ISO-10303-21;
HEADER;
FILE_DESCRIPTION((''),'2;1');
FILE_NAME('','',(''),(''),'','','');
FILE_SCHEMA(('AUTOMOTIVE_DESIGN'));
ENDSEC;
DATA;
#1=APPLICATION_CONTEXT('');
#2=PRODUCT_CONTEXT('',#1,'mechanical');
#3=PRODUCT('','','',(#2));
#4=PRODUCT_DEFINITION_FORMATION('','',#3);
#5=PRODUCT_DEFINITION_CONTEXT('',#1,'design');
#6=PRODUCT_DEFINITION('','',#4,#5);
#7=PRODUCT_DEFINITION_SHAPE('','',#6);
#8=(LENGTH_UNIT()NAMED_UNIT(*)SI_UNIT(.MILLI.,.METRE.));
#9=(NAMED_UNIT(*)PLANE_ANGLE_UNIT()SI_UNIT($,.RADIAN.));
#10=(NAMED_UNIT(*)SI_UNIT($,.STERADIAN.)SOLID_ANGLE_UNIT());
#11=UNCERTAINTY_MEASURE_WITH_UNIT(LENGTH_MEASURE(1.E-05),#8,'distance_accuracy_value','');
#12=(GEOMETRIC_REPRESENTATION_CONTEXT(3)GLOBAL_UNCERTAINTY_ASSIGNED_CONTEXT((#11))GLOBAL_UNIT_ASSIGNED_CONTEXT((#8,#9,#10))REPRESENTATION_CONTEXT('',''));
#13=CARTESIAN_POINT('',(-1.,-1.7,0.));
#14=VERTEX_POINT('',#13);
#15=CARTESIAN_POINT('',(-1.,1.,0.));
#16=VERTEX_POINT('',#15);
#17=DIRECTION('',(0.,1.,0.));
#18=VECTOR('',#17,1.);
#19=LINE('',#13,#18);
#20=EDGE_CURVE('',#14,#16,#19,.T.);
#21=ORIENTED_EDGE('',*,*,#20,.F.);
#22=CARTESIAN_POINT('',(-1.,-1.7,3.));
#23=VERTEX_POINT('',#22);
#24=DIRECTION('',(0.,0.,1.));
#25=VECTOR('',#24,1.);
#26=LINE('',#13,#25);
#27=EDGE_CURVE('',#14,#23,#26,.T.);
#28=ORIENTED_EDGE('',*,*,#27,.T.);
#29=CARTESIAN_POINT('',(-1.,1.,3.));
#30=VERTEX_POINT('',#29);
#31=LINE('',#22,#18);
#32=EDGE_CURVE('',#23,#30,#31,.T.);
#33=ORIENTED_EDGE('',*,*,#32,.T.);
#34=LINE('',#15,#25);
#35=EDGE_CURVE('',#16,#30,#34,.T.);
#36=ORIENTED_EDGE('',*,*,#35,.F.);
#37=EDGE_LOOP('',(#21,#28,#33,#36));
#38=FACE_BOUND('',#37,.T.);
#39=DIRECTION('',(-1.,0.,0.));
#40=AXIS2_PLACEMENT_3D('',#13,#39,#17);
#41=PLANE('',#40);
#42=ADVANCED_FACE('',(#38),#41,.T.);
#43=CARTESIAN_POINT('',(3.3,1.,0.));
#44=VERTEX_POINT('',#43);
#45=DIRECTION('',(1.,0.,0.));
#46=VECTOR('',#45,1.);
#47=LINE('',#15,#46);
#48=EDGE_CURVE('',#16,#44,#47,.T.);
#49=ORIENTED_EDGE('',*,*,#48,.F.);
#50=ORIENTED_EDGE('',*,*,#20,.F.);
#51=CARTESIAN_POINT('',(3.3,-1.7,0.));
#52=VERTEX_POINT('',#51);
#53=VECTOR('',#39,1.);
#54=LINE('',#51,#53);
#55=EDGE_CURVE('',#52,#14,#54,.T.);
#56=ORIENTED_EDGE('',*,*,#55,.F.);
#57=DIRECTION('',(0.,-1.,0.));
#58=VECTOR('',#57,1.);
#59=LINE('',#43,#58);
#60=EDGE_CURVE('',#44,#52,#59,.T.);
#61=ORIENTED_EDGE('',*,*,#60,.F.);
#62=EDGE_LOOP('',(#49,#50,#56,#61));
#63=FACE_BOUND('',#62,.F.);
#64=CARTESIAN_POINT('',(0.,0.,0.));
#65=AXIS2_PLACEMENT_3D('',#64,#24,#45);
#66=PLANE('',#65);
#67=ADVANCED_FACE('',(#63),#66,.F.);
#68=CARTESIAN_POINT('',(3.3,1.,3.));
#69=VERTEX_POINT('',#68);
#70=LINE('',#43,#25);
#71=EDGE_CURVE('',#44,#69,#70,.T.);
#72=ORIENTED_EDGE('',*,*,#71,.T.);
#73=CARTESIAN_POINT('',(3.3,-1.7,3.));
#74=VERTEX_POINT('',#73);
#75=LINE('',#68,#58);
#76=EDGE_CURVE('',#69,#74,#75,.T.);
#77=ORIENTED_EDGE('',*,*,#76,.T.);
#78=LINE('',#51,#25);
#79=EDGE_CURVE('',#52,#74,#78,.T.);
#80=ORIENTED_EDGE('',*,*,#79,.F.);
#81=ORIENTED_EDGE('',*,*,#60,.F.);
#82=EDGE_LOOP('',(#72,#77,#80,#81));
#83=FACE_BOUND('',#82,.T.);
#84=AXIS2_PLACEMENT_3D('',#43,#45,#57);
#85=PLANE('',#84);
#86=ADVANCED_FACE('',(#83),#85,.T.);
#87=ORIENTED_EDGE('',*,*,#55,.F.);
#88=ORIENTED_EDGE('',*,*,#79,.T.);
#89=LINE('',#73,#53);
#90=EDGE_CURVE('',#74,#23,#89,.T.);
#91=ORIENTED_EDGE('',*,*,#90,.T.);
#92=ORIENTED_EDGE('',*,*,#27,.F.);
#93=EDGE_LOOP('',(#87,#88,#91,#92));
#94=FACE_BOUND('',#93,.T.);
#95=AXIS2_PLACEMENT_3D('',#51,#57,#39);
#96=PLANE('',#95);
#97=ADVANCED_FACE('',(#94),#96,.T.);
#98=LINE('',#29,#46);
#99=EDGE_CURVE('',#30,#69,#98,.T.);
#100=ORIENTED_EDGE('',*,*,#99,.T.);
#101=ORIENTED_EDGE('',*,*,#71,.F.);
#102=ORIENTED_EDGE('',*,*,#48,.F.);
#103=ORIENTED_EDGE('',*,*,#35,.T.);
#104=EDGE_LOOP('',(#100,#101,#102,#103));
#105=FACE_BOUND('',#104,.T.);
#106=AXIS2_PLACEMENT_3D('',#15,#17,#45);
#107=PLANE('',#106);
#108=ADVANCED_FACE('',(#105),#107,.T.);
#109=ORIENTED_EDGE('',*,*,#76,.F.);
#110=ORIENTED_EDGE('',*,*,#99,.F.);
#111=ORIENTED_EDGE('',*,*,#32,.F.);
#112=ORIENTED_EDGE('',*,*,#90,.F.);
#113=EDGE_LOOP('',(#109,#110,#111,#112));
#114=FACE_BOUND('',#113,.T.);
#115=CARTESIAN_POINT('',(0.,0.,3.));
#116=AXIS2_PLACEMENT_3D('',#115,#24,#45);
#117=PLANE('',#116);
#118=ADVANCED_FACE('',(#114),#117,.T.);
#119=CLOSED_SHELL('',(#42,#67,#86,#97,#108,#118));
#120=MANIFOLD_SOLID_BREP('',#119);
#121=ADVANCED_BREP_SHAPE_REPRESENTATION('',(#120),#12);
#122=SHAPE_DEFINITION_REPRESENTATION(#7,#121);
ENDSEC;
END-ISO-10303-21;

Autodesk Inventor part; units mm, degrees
ref_plane "YZ Plane" through (0, 0, 0) normal (1, 0, 0) x (0, 1, 0)
ref_plane "XZ Plane" through (0, 0, 0) normal (0, 1, 0) x (-1, 0, 0)
ref_plane "XY Plane" through (0, 0, 0) normal (0, 0, 1) x (1, 0, 0)
sketch "CX2156NL, CX2156NL_5" plane through (0, 0, 0) normal (0, 0, 1) x (1, 0, 0)
  line L0 (3.3, -1.7) -> (-1, -1.7)
  line L1 (-1, -1.7) -> (-1, 1)
  line L2 (-1, 1) -> (3.3, 1)
  line L3 (3.3, 1) -> (3.3, -1.7)
  dimension "d2" = 4.3
  dimension "d3" = 2.7
extrude "Extrusion1" add sketch "CX2156NL, CX2156NL_5" along normal blind 3
properties part number "CX2156NL"
